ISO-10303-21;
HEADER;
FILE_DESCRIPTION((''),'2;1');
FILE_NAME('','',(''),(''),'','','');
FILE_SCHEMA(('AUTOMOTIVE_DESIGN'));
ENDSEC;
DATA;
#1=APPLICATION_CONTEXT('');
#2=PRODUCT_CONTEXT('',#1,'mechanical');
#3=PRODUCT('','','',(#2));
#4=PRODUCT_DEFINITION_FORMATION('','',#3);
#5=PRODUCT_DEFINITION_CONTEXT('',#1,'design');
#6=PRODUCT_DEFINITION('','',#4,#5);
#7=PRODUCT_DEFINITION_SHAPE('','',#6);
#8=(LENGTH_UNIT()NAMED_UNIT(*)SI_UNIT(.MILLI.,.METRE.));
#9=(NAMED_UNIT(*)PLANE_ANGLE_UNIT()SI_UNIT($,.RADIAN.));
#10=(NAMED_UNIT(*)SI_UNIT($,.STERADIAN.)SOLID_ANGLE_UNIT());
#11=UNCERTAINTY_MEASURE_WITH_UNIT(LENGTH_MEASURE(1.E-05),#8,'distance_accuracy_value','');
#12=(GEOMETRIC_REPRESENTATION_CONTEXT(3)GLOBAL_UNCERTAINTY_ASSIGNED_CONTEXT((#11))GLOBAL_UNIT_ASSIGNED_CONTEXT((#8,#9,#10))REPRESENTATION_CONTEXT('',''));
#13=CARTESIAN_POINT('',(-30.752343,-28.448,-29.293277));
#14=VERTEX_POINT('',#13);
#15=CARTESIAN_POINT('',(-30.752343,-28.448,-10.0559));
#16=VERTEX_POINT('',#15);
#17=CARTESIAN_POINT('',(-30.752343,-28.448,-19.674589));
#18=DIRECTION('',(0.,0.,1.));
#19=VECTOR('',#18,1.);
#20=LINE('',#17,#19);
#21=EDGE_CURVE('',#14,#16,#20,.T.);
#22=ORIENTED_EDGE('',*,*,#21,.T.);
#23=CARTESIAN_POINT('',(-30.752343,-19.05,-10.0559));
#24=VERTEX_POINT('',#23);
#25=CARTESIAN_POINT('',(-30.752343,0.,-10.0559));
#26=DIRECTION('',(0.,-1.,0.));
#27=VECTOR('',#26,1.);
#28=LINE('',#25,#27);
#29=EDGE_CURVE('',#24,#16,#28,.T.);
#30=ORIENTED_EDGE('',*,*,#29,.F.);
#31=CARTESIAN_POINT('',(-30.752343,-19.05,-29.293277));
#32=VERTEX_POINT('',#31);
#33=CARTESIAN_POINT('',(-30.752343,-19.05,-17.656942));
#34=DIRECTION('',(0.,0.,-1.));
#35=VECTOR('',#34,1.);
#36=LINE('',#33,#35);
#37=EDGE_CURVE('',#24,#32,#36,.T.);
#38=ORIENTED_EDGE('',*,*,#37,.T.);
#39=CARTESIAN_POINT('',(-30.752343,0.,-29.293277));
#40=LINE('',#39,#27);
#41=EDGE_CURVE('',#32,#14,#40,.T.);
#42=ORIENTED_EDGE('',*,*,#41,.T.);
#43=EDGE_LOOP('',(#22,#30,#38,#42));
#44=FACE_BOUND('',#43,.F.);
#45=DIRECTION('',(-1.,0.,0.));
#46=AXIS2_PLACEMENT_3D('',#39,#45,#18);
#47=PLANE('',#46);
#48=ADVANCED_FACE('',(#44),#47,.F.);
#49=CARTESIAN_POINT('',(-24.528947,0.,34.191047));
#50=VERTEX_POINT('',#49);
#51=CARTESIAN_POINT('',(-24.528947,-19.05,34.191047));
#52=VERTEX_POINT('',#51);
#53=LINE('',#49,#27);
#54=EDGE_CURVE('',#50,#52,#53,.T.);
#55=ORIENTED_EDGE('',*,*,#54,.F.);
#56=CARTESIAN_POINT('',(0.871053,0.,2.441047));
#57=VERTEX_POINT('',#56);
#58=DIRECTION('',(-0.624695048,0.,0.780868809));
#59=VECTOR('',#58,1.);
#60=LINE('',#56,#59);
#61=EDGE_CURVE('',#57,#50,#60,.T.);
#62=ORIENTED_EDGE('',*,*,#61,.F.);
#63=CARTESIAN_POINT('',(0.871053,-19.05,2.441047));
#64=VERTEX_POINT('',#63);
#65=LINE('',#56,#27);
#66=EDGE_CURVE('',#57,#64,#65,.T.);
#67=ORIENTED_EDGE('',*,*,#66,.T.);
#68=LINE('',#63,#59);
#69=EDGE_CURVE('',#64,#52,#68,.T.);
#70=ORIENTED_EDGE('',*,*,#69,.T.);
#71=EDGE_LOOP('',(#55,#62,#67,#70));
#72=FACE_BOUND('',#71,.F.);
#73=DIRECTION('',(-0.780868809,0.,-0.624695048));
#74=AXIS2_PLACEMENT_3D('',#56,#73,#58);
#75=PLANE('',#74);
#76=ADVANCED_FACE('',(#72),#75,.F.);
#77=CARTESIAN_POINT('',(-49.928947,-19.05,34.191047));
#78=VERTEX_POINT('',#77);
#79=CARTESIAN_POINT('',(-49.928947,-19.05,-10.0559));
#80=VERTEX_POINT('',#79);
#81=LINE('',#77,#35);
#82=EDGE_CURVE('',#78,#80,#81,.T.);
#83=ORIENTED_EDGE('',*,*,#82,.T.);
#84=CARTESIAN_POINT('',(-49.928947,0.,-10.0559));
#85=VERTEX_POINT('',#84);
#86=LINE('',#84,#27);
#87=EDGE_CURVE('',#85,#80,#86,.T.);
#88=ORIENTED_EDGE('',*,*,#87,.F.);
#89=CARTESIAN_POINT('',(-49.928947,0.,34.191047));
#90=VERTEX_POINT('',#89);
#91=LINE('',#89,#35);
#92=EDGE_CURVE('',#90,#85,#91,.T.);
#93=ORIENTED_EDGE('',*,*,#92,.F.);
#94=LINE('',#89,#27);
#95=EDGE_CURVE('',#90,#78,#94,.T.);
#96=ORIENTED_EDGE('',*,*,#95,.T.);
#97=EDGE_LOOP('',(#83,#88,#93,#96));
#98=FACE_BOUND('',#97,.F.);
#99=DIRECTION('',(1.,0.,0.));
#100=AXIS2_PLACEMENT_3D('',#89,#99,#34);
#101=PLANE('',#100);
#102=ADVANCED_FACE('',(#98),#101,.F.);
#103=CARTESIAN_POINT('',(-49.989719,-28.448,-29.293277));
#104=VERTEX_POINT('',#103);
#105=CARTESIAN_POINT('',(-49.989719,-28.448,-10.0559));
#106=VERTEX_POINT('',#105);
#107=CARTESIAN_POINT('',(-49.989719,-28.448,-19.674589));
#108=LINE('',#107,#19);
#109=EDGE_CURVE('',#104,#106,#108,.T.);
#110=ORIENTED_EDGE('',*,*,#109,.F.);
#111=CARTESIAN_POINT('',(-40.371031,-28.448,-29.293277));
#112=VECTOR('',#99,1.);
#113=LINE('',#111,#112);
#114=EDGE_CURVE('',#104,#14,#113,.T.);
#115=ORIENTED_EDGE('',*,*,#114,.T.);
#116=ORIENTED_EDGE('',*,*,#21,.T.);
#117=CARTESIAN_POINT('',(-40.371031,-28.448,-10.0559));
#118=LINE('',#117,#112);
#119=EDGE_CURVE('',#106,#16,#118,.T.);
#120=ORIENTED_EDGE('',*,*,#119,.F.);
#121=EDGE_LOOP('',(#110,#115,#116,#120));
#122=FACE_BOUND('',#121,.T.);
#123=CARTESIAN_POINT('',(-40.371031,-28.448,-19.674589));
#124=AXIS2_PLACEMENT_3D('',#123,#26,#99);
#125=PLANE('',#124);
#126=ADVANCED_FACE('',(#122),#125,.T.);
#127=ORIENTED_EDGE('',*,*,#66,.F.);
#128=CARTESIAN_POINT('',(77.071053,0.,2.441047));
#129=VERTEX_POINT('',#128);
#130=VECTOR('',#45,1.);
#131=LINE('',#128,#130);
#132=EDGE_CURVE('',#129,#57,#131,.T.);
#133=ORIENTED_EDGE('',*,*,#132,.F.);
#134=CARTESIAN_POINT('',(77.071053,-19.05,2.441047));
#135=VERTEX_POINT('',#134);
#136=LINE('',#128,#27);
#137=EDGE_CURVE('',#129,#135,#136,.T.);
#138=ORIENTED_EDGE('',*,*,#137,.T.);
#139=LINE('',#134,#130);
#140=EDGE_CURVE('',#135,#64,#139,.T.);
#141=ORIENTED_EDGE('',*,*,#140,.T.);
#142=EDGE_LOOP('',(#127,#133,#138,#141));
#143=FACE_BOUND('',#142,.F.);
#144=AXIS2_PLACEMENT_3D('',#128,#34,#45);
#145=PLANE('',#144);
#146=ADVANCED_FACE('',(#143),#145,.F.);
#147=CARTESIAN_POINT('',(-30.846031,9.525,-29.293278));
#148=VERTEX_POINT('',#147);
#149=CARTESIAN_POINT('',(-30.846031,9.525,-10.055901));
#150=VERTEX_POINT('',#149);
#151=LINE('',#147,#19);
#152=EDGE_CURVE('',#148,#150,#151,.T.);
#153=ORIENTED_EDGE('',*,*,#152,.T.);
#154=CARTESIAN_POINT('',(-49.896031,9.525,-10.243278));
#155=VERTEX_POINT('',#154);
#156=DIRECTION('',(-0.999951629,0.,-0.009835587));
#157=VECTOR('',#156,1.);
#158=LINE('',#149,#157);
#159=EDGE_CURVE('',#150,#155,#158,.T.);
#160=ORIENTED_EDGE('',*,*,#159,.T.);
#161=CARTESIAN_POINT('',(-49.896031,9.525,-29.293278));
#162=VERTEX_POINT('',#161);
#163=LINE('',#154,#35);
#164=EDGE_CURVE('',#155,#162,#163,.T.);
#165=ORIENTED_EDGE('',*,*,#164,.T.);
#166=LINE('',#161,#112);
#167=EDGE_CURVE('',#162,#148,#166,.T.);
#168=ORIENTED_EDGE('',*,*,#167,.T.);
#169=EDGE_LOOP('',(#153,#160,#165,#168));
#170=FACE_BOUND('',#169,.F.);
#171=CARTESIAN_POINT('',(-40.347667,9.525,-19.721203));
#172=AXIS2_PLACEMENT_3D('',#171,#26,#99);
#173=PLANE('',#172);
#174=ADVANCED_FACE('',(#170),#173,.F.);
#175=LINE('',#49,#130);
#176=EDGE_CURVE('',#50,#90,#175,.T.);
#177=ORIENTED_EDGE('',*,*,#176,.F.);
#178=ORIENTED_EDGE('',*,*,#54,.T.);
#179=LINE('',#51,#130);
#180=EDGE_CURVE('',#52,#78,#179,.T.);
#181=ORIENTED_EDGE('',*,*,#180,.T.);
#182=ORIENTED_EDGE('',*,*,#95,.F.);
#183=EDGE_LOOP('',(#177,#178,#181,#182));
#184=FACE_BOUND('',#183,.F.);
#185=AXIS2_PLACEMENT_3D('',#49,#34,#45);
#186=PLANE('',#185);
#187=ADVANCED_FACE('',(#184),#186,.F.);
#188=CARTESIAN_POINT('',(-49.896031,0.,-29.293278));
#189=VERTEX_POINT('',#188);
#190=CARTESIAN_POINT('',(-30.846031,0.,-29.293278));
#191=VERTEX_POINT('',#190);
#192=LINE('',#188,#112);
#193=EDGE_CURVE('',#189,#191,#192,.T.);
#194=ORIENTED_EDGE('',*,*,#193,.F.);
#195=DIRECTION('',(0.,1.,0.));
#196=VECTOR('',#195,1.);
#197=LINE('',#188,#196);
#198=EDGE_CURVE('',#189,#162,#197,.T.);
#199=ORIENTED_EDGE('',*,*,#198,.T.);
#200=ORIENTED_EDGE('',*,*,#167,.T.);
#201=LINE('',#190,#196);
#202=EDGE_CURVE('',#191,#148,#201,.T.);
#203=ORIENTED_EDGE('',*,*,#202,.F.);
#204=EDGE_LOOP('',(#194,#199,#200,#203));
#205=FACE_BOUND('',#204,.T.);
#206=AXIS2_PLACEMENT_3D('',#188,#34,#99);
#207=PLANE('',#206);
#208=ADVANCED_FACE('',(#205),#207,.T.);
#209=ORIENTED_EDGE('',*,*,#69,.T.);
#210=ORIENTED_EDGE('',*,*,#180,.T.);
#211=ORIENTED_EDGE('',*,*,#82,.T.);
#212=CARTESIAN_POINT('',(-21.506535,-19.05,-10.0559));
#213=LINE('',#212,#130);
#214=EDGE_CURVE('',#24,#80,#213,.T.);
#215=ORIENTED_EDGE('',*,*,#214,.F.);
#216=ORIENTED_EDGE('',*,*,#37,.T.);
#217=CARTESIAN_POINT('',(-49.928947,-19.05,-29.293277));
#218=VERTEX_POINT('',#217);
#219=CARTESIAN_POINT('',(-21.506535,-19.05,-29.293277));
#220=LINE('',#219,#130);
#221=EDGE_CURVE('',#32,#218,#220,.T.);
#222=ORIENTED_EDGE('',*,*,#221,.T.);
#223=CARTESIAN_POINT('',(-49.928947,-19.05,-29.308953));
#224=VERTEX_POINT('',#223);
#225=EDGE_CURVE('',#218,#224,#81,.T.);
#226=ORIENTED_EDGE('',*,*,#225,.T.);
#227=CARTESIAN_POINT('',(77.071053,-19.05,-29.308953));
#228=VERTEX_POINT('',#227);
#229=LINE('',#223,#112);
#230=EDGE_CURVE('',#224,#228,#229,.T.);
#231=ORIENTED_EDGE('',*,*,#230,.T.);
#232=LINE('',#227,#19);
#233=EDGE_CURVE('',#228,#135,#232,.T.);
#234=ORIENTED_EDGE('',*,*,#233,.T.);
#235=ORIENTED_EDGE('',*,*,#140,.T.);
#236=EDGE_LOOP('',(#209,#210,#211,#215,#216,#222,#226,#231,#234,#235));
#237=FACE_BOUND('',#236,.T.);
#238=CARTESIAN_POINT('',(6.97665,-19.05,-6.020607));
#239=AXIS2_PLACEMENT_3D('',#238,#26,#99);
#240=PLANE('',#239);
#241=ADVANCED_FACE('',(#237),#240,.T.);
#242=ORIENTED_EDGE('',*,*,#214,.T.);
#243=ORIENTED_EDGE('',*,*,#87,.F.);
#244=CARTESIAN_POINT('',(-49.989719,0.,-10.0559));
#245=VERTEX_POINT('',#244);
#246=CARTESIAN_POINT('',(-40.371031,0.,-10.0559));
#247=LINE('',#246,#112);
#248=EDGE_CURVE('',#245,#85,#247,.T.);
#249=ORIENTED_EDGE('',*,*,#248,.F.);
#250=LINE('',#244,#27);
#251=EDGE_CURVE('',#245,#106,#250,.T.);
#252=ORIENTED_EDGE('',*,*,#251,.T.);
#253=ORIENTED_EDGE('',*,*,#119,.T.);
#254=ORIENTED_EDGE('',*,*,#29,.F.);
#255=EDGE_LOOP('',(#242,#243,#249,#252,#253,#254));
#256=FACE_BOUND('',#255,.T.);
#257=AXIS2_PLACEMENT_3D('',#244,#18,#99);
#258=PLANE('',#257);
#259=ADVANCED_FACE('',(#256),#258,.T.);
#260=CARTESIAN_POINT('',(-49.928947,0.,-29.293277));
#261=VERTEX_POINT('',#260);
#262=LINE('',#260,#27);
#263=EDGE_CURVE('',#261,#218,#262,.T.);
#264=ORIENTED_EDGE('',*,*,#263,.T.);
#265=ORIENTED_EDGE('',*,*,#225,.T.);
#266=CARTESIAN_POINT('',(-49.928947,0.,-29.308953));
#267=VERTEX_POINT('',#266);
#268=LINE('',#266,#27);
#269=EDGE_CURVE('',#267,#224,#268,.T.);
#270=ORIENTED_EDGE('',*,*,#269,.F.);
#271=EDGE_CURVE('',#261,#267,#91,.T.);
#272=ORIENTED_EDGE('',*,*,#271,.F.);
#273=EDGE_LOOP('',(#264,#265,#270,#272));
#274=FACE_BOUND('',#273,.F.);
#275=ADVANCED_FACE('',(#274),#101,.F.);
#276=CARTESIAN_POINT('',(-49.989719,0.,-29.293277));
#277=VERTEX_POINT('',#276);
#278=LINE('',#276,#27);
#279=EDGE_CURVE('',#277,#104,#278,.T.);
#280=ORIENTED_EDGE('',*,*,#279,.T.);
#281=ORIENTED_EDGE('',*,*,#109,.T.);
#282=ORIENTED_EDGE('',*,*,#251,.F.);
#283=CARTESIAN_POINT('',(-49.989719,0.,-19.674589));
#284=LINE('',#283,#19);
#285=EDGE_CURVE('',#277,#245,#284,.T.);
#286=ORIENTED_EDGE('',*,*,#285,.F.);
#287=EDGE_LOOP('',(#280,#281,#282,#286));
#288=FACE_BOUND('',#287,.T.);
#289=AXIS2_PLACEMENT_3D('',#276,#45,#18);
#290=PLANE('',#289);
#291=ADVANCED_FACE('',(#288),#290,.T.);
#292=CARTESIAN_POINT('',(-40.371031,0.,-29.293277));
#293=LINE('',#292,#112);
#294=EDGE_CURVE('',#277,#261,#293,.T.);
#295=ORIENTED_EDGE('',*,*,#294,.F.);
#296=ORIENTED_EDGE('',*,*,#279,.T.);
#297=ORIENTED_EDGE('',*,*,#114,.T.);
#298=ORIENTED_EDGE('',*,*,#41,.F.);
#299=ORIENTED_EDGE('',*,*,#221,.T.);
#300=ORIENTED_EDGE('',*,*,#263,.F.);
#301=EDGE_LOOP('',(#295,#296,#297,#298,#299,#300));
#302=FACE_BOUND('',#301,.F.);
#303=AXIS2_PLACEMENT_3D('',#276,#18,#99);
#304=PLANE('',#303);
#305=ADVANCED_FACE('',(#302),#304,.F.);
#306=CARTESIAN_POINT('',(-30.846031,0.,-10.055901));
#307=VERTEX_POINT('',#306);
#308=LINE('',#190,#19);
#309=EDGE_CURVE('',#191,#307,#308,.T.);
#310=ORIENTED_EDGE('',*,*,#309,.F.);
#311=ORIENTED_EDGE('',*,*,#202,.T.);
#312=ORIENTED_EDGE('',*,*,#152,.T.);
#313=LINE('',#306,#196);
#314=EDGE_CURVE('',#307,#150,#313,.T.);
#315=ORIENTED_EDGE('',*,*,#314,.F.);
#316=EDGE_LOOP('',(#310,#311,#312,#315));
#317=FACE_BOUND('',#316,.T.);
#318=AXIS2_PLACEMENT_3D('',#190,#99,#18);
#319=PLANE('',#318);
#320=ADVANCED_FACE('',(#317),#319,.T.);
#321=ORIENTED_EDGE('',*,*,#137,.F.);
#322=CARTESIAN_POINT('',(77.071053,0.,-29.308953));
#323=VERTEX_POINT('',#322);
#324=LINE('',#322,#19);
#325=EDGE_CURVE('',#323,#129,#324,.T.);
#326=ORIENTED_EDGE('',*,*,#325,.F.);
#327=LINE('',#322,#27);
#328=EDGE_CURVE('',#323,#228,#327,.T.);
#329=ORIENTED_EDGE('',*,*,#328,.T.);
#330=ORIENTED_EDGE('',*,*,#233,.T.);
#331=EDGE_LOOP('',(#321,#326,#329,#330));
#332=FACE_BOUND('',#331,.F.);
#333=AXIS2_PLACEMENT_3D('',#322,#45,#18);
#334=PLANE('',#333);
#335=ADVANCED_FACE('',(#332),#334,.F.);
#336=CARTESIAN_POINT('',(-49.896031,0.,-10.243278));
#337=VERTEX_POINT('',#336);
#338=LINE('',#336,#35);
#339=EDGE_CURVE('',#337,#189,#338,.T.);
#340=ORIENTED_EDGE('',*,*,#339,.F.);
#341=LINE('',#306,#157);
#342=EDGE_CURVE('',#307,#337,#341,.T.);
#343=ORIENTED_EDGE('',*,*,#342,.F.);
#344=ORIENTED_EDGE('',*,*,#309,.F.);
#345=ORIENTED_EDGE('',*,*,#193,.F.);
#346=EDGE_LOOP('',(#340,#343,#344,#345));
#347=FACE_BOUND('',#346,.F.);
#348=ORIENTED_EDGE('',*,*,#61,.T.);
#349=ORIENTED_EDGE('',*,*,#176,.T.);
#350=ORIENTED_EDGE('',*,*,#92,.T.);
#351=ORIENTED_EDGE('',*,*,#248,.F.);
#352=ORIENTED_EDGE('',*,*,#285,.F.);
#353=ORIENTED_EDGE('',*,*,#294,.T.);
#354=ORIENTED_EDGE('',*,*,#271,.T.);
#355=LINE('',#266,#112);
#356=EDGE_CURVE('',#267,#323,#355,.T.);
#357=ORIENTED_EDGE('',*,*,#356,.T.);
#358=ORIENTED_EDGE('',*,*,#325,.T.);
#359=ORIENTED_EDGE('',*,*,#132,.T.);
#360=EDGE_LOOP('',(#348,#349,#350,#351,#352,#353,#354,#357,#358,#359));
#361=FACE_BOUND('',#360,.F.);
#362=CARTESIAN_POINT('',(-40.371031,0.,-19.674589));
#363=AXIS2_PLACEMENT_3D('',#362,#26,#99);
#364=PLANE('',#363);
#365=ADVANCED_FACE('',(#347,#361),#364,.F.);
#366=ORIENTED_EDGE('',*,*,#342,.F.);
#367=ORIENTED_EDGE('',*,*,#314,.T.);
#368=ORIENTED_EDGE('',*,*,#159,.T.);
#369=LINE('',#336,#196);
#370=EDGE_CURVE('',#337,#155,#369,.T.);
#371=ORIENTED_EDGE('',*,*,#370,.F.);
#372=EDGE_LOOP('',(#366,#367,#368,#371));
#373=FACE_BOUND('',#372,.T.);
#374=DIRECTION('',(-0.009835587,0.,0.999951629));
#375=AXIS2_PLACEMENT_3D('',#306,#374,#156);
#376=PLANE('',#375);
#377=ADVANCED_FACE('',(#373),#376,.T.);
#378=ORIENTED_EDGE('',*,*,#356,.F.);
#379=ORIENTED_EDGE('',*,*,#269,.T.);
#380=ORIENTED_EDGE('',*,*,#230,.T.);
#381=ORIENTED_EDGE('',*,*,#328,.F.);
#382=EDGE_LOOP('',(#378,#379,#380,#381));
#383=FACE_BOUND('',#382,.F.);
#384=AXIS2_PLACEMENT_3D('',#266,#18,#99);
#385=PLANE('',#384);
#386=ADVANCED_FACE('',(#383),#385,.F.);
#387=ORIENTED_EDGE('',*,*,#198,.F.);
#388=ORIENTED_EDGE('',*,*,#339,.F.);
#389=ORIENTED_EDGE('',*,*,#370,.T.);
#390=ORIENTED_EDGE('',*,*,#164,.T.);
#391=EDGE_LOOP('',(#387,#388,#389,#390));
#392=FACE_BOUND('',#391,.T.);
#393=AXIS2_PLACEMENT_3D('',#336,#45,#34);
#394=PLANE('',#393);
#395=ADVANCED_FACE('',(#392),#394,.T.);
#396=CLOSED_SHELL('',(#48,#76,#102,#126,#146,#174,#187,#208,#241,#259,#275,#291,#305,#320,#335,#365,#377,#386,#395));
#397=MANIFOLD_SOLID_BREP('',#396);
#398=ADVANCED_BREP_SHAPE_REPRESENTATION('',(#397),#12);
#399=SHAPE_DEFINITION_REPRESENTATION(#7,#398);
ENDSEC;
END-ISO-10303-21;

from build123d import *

# Parameters (mm, degrees)
F1_DEPTH = 19.05
F3_DEPTH = 9.525
F4_W     = 19.237377
F4_H     = 19.237377
F5_DEPTH = 28.448


with BuildPart() as f1:
    # F0 (on Front) → F1 (new body)
    with BuildSketch(Plane.XZ):
        Polygon((-24.528947, 34.191047), (-49.928947, 34.191047), (-49.928947, -29.308953), (77.071053, -29.308953), (77.071053, 2.441047), (0.871053, 2.441047), align=None)
    extrude(amount=F1_DEPTH)

    # F2 (on Front) → F3 (join)
    with BuildSketch(Plane.XZ):
        Polygon((-49.896031, -10.243278), (-49.896031, -29.293278), (-30.846031, -29.293278), (-30.846031, -10.055901), align=None)
    extrude(amount=-F3_DEPTH)

    # F4 (on Front) → F5 (join)
    with BuildSketch(Plane.XZ):
        with Locations((-40.371031, -19.674589)):
            Rectangle(F4_W, F4_H)
    extrude(amount=F5_DEPTH)


solid = f1.part
